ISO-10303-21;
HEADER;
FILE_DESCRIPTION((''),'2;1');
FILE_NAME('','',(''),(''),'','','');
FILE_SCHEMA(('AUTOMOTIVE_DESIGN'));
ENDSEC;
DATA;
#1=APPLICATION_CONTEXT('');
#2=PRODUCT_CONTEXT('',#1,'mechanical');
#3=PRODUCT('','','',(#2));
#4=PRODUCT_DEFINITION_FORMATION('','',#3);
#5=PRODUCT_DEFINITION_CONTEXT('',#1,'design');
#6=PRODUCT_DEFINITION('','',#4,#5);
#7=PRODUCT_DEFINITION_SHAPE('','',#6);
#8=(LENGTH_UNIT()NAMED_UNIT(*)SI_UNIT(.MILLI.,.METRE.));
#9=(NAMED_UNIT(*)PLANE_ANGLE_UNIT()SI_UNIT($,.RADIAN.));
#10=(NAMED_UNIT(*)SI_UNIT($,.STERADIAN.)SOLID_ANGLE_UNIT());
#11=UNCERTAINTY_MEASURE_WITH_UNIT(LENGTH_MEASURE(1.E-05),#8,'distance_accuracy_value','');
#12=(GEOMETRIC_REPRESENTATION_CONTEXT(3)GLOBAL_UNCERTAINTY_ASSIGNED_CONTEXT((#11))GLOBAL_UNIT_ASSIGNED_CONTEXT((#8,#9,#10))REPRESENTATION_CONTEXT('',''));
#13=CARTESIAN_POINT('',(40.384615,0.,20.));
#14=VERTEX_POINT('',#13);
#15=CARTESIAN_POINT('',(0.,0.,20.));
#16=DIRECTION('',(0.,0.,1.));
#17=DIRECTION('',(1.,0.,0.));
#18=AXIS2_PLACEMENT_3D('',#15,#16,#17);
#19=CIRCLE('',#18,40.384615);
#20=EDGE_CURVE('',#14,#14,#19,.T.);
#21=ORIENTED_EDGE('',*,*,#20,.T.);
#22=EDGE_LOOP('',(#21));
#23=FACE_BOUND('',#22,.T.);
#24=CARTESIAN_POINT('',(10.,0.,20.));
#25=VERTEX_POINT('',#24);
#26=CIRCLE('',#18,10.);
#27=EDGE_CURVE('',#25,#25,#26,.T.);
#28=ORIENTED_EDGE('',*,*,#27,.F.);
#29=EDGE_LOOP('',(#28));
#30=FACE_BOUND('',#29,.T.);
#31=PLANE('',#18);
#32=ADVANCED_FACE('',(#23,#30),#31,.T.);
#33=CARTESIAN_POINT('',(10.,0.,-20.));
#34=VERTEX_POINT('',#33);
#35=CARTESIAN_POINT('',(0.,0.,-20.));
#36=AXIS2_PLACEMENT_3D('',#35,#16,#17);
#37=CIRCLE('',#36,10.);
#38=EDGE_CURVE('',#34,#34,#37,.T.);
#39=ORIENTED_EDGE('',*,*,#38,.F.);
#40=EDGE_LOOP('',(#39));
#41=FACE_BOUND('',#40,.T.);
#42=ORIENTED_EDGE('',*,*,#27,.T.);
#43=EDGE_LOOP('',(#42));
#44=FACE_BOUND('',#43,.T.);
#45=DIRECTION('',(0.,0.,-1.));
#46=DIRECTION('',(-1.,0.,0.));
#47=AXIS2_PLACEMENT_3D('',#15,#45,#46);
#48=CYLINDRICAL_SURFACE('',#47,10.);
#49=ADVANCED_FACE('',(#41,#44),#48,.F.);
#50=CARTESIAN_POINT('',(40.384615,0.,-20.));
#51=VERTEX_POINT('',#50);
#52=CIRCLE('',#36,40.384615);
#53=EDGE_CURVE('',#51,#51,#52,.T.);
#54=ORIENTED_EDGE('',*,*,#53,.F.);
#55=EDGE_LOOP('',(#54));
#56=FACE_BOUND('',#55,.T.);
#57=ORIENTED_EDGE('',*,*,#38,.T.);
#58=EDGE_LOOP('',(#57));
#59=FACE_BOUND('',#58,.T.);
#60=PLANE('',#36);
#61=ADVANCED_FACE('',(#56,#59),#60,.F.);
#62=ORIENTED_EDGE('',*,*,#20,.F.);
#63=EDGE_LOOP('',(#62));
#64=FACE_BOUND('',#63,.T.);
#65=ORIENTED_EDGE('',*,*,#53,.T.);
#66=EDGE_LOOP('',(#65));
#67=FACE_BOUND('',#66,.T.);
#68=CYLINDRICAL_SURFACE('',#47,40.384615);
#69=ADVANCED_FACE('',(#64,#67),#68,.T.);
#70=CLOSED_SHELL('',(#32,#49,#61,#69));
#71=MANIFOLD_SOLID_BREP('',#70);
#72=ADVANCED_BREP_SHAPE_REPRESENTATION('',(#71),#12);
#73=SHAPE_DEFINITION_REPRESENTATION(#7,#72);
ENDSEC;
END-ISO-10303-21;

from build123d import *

# Parameters (mm, degrees)
CARRIER_START = -20
SKETCH_1_R    = 40.384615385
SKETCH_1_R_2  = 10
CARRIER_DEPTH = 40


with BuildPart() as part:
    # Эскиз1 → Carrier (new body)
    with BuildSketch(Plane.XY.offset(CARRIER_START)):
        Circle(SKETCH_1_R)
        Circle(SKETCH_1_R_2, mode=Mode.SUBTRACT)
    extrude(amount=CARRIER_DEPTH)


solid = part.part
